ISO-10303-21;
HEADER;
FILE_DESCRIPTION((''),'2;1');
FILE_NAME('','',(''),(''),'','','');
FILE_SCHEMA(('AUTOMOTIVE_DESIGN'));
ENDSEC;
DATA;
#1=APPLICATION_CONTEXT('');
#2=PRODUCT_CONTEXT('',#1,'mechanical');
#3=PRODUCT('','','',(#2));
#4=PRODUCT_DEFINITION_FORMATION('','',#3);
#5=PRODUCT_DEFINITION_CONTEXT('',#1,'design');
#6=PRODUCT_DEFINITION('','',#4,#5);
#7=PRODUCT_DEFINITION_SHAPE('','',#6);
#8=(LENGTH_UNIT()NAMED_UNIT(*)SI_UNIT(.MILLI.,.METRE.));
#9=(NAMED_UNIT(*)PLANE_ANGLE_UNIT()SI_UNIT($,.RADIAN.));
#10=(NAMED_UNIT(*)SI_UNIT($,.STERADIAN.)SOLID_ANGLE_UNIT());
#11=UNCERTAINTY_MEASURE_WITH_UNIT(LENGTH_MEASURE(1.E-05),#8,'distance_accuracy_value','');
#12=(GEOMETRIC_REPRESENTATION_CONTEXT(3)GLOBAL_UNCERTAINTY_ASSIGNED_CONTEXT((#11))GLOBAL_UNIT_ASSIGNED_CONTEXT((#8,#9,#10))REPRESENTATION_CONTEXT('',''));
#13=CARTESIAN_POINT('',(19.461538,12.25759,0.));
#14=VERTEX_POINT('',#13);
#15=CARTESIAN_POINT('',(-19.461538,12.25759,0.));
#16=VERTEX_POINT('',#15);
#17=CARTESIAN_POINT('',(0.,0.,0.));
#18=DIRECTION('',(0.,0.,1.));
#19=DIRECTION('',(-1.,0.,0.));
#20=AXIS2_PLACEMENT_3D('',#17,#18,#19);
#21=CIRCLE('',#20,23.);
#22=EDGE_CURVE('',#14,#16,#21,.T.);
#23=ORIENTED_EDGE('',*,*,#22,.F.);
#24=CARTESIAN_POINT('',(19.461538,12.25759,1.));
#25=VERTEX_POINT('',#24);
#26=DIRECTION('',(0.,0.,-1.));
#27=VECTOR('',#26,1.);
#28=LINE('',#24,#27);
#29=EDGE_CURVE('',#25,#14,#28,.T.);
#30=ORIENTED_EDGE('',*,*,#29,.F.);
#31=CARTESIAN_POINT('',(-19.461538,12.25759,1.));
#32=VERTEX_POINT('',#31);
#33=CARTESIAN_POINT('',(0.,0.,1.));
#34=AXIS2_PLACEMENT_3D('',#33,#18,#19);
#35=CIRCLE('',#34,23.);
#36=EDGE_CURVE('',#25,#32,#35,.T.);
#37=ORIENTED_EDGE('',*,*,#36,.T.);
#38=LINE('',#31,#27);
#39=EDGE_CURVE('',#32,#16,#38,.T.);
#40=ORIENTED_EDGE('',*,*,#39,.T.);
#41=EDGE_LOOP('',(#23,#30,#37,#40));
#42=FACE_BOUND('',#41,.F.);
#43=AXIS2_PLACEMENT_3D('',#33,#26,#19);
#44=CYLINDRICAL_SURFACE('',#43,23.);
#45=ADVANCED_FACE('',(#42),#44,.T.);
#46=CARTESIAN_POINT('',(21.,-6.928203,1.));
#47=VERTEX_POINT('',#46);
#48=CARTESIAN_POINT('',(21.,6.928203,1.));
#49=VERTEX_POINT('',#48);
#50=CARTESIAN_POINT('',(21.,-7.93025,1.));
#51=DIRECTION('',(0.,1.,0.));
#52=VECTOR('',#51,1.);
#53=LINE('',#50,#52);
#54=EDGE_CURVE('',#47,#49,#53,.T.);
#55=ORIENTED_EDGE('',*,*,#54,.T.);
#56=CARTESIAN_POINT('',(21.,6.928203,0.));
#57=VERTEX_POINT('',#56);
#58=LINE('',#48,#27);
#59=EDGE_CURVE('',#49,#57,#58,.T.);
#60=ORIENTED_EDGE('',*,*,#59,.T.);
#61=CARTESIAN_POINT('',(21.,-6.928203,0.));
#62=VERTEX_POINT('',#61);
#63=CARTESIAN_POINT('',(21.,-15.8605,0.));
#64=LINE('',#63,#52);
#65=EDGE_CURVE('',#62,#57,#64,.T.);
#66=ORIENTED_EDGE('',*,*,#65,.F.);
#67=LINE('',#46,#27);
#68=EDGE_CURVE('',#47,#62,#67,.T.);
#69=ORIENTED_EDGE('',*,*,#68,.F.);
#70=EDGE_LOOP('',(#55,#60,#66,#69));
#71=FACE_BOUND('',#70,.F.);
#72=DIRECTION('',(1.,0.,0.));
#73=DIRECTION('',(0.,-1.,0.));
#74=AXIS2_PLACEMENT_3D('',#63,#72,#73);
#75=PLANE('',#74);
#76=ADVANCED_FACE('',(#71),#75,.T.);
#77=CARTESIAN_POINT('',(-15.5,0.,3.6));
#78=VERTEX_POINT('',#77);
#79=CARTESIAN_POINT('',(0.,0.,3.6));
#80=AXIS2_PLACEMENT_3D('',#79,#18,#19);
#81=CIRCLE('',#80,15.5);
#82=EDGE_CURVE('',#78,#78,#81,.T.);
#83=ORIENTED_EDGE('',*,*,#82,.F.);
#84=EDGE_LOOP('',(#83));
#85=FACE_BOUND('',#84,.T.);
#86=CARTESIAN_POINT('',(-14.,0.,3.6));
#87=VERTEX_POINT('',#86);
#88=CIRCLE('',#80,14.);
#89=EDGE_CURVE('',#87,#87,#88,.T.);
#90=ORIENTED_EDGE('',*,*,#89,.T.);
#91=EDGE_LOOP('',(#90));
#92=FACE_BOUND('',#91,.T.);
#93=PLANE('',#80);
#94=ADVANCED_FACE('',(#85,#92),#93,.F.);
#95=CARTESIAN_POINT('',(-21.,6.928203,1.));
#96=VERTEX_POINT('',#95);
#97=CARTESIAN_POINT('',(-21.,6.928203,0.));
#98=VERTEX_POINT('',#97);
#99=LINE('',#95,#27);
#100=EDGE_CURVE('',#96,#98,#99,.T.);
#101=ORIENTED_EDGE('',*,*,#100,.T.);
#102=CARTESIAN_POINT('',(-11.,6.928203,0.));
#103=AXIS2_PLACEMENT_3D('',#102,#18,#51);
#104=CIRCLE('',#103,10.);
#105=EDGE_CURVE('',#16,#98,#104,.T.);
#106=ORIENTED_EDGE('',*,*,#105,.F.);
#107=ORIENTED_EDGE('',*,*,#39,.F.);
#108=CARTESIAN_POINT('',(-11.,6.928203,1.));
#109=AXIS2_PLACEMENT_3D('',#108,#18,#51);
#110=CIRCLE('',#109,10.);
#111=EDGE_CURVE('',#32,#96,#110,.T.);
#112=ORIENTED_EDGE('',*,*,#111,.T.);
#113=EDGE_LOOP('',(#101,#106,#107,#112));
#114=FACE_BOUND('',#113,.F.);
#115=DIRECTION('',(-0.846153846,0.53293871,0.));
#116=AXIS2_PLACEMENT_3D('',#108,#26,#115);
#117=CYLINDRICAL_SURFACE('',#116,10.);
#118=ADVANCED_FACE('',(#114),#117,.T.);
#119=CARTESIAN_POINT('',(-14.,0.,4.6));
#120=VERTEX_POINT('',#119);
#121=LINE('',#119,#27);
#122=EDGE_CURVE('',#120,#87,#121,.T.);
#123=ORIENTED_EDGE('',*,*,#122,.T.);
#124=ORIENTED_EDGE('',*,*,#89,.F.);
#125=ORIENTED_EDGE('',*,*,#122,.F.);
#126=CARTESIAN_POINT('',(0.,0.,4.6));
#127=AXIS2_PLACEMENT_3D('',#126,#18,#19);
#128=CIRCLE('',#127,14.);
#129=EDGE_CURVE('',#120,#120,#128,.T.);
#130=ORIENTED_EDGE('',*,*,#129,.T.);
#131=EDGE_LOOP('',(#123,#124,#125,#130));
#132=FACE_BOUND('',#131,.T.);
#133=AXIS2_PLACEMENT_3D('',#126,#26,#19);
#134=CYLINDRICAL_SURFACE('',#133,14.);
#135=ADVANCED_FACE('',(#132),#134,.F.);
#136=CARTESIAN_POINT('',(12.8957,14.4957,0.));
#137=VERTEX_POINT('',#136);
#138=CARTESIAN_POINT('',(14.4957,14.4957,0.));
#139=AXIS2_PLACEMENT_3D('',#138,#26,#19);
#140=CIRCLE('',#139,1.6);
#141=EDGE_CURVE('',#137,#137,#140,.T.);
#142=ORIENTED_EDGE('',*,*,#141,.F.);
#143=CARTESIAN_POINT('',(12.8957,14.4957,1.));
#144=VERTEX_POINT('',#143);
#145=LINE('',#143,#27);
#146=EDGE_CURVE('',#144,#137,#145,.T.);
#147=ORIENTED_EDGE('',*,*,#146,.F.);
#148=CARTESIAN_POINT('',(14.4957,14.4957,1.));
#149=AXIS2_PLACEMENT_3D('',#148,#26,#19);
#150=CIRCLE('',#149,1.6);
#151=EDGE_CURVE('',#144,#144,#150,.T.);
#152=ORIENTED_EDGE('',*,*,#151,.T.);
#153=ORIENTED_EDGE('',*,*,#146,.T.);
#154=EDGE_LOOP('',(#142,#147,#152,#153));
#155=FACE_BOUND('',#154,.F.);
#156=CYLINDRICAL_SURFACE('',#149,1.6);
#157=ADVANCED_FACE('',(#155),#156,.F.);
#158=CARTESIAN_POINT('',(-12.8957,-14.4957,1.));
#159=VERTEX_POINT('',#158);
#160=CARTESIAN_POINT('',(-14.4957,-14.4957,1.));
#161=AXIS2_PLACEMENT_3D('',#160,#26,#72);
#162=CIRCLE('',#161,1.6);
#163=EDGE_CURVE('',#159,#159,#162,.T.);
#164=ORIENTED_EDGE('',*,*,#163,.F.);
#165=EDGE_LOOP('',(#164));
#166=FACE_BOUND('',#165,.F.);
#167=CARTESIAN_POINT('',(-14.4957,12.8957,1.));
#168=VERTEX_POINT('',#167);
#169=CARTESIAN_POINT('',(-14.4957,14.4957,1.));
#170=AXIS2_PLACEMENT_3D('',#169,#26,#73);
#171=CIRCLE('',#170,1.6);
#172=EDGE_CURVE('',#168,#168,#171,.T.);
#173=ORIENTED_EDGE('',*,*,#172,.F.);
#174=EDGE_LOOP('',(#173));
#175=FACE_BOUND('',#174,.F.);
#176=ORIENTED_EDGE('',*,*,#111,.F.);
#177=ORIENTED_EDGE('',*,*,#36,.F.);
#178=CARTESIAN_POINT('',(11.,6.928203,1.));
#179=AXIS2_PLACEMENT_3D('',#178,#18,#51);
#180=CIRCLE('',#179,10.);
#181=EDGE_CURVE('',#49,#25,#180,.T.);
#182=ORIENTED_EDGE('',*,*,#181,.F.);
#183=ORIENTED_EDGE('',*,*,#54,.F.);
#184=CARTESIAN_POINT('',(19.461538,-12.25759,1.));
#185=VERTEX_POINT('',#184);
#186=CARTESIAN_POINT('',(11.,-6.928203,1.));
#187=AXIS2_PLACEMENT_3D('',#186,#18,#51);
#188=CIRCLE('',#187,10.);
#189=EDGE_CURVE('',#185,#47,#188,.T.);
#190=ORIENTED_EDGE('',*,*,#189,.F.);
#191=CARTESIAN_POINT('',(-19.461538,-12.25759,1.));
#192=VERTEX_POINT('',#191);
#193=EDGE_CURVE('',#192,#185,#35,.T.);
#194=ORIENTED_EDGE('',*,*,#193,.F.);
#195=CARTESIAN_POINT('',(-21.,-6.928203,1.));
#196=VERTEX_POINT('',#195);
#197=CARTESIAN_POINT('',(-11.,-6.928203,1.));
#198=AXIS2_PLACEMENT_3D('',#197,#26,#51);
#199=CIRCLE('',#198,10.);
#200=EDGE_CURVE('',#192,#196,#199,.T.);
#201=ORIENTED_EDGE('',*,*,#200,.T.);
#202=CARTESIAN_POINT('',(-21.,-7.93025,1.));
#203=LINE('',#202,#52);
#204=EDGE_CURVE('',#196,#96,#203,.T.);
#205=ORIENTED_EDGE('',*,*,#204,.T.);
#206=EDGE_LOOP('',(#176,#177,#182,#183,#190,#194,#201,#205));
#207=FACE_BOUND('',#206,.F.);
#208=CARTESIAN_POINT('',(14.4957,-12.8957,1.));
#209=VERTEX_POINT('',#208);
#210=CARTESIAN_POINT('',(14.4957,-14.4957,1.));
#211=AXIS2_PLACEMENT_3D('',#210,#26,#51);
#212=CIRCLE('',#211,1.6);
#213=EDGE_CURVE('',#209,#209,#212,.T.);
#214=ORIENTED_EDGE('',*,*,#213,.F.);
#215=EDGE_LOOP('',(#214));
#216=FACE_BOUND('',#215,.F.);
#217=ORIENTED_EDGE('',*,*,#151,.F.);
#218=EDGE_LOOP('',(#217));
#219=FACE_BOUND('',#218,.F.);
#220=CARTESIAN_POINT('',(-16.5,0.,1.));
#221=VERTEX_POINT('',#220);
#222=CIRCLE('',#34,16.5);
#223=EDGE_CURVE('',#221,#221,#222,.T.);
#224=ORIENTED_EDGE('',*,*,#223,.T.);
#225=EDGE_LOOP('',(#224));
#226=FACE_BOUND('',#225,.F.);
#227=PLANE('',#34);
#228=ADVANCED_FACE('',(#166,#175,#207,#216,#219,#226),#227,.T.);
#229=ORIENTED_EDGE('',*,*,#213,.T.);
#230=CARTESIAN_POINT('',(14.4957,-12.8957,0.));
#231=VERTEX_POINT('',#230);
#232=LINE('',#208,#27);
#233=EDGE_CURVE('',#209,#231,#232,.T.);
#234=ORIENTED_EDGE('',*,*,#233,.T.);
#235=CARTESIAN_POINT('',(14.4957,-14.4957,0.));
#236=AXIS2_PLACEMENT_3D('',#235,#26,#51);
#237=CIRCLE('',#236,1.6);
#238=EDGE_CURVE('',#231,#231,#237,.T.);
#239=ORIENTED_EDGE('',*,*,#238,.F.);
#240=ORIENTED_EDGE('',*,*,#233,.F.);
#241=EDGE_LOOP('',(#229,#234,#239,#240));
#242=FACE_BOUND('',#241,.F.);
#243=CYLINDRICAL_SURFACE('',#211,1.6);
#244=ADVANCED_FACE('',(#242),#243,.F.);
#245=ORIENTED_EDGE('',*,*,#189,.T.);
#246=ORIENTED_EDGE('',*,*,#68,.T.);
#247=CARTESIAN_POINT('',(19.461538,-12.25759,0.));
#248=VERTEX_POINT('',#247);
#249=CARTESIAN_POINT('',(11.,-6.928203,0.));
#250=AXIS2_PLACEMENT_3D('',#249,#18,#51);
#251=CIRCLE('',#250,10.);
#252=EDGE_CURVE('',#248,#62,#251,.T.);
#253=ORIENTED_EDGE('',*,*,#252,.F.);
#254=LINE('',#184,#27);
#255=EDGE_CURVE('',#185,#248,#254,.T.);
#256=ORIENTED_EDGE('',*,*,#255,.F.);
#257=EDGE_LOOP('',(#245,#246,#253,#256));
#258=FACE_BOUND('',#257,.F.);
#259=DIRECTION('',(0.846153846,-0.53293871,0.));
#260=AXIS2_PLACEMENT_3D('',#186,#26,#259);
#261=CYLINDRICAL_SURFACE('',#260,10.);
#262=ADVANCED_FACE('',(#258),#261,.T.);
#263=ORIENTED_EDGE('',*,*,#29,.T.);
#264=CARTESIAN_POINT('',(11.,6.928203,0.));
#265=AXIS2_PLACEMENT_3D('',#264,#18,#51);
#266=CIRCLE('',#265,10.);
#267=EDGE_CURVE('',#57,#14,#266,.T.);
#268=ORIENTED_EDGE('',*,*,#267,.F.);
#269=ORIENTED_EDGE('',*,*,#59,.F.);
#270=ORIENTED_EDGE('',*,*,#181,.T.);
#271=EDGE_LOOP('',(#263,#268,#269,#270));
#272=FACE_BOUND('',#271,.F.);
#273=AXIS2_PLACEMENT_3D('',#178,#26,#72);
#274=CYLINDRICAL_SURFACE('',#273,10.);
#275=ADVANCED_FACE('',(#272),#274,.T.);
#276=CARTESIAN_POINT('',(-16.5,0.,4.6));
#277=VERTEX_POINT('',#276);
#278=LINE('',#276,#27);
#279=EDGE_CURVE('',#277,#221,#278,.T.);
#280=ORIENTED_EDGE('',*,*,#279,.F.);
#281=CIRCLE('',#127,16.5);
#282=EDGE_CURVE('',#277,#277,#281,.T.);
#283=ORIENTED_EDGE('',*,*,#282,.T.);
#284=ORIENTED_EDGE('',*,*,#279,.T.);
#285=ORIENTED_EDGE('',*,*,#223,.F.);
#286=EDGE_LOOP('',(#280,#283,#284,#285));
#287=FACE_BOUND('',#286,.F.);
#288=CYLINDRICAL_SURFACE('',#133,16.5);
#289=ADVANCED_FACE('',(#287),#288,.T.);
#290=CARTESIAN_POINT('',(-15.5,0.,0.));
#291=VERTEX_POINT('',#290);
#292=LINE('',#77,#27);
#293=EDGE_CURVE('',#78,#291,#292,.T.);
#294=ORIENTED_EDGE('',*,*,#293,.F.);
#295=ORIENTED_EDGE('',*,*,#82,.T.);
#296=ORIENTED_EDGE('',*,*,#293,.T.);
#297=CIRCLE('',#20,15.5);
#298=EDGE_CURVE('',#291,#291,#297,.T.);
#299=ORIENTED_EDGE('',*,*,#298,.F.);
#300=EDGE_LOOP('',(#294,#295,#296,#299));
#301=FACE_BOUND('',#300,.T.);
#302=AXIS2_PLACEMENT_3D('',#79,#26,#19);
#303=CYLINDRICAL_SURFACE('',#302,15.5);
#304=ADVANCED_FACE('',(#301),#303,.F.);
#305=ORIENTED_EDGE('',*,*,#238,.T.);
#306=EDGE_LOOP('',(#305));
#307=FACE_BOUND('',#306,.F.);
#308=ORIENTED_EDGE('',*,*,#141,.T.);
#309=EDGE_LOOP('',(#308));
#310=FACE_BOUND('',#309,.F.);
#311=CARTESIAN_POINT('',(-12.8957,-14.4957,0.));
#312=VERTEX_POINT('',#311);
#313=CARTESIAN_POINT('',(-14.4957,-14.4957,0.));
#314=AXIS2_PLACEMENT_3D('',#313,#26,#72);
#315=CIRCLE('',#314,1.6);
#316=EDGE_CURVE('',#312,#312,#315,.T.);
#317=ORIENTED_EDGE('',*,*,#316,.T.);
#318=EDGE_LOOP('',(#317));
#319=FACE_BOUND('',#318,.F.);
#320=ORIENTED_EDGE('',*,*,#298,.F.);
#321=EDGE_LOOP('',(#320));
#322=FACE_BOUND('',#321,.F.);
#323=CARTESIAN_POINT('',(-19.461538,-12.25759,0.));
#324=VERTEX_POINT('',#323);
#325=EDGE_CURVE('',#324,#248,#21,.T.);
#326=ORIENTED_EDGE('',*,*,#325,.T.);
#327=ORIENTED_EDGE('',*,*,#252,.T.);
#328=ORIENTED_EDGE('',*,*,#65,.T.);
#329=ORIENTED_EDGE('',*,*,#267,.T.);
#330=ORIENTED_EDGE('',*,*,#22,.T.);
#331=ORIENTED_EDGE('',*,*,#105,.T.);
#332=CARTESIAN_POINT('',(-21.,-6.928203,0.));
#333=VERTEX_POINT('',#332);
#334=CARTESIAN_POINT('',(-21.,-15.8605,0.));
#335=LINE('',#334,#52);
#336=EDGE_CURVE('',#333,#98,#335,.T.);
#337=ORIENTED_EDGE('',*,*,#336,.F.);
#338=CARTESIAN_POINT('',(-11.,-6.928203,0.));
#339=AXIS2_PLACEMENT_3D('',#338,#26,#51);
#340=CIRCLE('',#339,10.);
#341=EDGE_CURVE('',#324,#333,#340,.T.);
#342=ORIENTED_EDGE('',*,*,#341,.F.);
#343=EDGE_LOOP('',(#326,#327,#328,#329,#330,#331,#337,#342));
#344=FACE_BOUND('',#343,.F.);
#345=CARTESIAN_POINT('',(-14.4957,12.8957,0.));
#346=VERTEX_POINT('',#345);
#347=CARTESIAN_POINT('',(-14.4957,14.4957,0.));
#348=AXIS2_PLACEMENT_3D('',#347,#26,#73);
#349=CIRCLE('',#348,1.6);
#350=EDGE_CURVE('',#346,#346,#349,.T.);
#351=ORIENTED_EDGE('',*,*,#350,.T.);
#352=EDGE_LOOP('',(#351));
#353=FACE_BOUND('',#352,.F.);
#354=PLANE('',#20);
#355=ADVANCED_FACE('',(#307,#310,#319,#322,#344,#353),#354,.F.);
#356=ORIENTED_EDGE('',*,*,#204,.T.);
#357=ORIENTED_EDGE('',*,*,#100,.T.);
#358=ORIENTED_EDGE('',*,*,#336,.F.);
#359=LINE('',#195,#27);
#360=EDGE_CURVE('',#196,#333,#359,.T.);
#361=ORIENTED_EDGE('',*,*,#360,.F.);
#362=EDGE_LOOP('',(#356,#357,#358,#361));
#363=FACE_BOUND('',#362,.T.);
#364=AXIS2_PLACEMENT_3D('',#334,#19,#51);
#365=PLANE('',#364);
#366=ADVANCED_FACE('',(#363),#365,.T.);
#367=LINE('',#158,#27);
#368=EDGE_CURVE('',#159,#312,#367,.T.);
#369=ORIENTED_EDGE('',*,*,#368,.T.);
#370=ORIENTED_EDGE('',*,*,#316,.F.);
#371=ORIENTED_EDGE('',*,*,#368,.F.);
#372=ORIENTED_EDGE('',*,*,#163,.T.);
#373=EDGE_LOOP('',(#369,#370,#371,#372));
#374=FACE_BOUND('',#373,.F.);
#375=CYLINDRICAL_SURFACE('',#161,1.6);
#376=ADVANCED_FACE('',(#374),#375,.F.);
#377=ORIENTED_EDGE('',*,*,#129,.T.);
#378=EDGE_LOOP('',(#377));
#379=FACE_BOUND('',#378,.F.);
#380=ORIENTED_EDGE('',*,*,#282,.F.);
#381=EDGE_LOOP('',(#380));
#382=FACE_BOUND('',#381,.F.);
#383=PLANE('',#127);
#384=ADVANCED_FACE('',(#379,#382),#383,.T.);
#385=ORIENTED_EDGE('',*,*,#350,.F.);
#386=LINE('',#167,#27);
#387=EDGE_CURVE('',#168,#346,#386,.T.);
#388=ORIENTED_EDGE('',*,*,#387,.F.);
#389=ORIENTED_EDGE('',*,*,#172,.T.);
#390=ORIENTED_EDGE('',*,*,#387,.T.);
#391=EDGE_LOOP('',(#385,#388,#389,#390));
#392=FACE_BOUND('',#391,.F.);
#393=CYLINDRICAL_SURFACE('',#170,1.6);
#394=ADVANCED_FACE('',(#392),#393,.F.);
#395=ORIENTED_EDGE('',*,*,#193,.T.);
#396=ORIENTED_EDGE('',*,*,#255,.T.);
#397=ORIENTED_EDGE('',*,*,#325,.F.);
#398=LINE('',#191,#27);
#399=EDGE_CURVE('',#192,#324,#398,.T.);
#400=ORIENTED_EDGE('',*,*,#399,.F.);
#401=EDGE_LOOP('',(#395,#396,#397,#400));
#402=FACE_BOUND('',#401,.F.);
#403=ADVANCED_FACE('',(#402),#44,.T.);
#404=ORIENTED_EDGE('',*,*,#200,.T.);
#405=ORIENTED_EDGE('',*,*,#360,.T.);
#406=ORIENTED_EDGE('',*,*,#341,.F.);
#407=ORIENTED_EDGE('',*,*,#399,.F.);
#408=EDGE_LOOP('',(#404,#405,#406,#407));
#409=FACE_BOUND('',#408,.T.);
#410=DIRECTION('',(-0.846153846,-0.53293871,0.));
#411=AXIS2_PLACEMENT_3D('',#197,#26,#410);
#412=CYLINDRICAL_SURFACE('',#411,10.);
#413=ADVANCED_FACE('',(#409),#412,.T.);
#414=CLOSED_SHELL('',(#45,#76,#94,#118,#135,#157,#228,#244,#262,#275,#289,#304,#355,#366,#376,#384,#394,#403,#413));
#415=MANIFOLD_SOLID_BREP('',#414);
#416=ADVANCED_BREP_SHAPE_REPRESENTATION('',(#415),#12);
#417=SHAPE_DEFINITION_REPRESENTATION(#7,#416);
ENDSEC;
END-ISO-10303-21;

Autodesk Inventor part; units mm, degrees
ref_plane "YZ Plane" through (0, 0, 0) normal (1, 0, 0) x (0, 1, 0)
ref_plane "XZ Plane" through (0, 0, 0) normal (0, 1, 0) x (-1, 0, 0)
ref_plane "XY Plane" through (0, 0, 0) normal (0, 0, 1) x (1, 0, 0)
sketch "Sketch1" plane through (0, 0, 0) normal (0, 1, 0) x (-1, 0, 0)
  line L0 (0, 0) -> (0, 4.6)
  line L1 (0, 4.6) -> (14, 4.6) construction
  line L2 (14, 4.6) -> (16.5, 4.6)
  line L3 (16.5, 4.6) -> (16.5, 1)
  line L4 (16.5, 1) -> (23, 1)
  line L5 (23, 1) -> (23, 0)
  line L6 (23, 0) -> (15.5, 0)
  line L7 (15.5, 0) -> (0, 0) construction
  line L8 (14, 4.6) -> (14, 3.6)
  line L9 (14, 3.6) -> (15.5, 3.6)
  line L10 (15.5, 3.6) -> (15.5, 0)
  dimension "d0" = 46
  dimension "d2" = 31
  dimension "d3" = 28
  dimension "d4" = 3.6
  dimension "d5" = 1
  dimension "d6" = 1
  dimension "d7" = 1
revolve "Revolution1" add sketch "Sketch1" angle 360 about axis through (0, 0, 0) along (0, 0, 1)
sketch "Sketch2" plane through (0, 0, 1) normal (0, 0, 1) x (1, 0, 0)
  circle A0 centre (0, 0) radius 20.5 construction
  line L0 (-14.4957, 14.4957) -> (0, 0) construction
  line L1 (0, 0) -> (-12.5096, 0) construction
  dimension "d9" = 41
  dimension "d20" = 45
hole "Hole1" at (-14.4957, 14.4957, 1) direction (0, 0, -1) diameter 3.2 end through all
pattern_circular "Circular Pattern1" count 4 over 360 about axis through (0, 0, 0.5) along (0, 0, 1) of "Hole1"
sketch "Sketch3" plane through (0, 0, 0) normal (0, 0, 1) x (1, 0, 0)
  line L0 (-28.4447, -15.8605) -> (-21, -15.8605)
  line L1 (-21, -15.8605) -> (-21, 15.8605)
  line L2 (-21, 15.8605) -> (-28.4447, 15.8605)
  line L3 (-28.4447, 15.8605) -> (-28.4447, -15.8605)
  point P0 (0, 0)
  point P1 (-28.4447, 0)
  dimension "d21" = 21
extrude "Extrusion1" cut sketch "Sketch3" along normal through all
fillet "Fillet1" radius 10 2 edges at (-21, -9.3808, 0.5) (-21, 9.3808, 0.5)
mirror "Mirror1" about plane through (0, 0, 0) normal (1, 0, 0) of "Extrusion1", "Fillet1"
equation "\"d5\" = wall_thickness"
equation "\"d6\" = wall_thickness"
equation "\"d7\" = wall_thickness"
equation "\"wall_thickness\" = 1"
properties part number "quartz-disk-window-holder" material "Stainless Steel"
